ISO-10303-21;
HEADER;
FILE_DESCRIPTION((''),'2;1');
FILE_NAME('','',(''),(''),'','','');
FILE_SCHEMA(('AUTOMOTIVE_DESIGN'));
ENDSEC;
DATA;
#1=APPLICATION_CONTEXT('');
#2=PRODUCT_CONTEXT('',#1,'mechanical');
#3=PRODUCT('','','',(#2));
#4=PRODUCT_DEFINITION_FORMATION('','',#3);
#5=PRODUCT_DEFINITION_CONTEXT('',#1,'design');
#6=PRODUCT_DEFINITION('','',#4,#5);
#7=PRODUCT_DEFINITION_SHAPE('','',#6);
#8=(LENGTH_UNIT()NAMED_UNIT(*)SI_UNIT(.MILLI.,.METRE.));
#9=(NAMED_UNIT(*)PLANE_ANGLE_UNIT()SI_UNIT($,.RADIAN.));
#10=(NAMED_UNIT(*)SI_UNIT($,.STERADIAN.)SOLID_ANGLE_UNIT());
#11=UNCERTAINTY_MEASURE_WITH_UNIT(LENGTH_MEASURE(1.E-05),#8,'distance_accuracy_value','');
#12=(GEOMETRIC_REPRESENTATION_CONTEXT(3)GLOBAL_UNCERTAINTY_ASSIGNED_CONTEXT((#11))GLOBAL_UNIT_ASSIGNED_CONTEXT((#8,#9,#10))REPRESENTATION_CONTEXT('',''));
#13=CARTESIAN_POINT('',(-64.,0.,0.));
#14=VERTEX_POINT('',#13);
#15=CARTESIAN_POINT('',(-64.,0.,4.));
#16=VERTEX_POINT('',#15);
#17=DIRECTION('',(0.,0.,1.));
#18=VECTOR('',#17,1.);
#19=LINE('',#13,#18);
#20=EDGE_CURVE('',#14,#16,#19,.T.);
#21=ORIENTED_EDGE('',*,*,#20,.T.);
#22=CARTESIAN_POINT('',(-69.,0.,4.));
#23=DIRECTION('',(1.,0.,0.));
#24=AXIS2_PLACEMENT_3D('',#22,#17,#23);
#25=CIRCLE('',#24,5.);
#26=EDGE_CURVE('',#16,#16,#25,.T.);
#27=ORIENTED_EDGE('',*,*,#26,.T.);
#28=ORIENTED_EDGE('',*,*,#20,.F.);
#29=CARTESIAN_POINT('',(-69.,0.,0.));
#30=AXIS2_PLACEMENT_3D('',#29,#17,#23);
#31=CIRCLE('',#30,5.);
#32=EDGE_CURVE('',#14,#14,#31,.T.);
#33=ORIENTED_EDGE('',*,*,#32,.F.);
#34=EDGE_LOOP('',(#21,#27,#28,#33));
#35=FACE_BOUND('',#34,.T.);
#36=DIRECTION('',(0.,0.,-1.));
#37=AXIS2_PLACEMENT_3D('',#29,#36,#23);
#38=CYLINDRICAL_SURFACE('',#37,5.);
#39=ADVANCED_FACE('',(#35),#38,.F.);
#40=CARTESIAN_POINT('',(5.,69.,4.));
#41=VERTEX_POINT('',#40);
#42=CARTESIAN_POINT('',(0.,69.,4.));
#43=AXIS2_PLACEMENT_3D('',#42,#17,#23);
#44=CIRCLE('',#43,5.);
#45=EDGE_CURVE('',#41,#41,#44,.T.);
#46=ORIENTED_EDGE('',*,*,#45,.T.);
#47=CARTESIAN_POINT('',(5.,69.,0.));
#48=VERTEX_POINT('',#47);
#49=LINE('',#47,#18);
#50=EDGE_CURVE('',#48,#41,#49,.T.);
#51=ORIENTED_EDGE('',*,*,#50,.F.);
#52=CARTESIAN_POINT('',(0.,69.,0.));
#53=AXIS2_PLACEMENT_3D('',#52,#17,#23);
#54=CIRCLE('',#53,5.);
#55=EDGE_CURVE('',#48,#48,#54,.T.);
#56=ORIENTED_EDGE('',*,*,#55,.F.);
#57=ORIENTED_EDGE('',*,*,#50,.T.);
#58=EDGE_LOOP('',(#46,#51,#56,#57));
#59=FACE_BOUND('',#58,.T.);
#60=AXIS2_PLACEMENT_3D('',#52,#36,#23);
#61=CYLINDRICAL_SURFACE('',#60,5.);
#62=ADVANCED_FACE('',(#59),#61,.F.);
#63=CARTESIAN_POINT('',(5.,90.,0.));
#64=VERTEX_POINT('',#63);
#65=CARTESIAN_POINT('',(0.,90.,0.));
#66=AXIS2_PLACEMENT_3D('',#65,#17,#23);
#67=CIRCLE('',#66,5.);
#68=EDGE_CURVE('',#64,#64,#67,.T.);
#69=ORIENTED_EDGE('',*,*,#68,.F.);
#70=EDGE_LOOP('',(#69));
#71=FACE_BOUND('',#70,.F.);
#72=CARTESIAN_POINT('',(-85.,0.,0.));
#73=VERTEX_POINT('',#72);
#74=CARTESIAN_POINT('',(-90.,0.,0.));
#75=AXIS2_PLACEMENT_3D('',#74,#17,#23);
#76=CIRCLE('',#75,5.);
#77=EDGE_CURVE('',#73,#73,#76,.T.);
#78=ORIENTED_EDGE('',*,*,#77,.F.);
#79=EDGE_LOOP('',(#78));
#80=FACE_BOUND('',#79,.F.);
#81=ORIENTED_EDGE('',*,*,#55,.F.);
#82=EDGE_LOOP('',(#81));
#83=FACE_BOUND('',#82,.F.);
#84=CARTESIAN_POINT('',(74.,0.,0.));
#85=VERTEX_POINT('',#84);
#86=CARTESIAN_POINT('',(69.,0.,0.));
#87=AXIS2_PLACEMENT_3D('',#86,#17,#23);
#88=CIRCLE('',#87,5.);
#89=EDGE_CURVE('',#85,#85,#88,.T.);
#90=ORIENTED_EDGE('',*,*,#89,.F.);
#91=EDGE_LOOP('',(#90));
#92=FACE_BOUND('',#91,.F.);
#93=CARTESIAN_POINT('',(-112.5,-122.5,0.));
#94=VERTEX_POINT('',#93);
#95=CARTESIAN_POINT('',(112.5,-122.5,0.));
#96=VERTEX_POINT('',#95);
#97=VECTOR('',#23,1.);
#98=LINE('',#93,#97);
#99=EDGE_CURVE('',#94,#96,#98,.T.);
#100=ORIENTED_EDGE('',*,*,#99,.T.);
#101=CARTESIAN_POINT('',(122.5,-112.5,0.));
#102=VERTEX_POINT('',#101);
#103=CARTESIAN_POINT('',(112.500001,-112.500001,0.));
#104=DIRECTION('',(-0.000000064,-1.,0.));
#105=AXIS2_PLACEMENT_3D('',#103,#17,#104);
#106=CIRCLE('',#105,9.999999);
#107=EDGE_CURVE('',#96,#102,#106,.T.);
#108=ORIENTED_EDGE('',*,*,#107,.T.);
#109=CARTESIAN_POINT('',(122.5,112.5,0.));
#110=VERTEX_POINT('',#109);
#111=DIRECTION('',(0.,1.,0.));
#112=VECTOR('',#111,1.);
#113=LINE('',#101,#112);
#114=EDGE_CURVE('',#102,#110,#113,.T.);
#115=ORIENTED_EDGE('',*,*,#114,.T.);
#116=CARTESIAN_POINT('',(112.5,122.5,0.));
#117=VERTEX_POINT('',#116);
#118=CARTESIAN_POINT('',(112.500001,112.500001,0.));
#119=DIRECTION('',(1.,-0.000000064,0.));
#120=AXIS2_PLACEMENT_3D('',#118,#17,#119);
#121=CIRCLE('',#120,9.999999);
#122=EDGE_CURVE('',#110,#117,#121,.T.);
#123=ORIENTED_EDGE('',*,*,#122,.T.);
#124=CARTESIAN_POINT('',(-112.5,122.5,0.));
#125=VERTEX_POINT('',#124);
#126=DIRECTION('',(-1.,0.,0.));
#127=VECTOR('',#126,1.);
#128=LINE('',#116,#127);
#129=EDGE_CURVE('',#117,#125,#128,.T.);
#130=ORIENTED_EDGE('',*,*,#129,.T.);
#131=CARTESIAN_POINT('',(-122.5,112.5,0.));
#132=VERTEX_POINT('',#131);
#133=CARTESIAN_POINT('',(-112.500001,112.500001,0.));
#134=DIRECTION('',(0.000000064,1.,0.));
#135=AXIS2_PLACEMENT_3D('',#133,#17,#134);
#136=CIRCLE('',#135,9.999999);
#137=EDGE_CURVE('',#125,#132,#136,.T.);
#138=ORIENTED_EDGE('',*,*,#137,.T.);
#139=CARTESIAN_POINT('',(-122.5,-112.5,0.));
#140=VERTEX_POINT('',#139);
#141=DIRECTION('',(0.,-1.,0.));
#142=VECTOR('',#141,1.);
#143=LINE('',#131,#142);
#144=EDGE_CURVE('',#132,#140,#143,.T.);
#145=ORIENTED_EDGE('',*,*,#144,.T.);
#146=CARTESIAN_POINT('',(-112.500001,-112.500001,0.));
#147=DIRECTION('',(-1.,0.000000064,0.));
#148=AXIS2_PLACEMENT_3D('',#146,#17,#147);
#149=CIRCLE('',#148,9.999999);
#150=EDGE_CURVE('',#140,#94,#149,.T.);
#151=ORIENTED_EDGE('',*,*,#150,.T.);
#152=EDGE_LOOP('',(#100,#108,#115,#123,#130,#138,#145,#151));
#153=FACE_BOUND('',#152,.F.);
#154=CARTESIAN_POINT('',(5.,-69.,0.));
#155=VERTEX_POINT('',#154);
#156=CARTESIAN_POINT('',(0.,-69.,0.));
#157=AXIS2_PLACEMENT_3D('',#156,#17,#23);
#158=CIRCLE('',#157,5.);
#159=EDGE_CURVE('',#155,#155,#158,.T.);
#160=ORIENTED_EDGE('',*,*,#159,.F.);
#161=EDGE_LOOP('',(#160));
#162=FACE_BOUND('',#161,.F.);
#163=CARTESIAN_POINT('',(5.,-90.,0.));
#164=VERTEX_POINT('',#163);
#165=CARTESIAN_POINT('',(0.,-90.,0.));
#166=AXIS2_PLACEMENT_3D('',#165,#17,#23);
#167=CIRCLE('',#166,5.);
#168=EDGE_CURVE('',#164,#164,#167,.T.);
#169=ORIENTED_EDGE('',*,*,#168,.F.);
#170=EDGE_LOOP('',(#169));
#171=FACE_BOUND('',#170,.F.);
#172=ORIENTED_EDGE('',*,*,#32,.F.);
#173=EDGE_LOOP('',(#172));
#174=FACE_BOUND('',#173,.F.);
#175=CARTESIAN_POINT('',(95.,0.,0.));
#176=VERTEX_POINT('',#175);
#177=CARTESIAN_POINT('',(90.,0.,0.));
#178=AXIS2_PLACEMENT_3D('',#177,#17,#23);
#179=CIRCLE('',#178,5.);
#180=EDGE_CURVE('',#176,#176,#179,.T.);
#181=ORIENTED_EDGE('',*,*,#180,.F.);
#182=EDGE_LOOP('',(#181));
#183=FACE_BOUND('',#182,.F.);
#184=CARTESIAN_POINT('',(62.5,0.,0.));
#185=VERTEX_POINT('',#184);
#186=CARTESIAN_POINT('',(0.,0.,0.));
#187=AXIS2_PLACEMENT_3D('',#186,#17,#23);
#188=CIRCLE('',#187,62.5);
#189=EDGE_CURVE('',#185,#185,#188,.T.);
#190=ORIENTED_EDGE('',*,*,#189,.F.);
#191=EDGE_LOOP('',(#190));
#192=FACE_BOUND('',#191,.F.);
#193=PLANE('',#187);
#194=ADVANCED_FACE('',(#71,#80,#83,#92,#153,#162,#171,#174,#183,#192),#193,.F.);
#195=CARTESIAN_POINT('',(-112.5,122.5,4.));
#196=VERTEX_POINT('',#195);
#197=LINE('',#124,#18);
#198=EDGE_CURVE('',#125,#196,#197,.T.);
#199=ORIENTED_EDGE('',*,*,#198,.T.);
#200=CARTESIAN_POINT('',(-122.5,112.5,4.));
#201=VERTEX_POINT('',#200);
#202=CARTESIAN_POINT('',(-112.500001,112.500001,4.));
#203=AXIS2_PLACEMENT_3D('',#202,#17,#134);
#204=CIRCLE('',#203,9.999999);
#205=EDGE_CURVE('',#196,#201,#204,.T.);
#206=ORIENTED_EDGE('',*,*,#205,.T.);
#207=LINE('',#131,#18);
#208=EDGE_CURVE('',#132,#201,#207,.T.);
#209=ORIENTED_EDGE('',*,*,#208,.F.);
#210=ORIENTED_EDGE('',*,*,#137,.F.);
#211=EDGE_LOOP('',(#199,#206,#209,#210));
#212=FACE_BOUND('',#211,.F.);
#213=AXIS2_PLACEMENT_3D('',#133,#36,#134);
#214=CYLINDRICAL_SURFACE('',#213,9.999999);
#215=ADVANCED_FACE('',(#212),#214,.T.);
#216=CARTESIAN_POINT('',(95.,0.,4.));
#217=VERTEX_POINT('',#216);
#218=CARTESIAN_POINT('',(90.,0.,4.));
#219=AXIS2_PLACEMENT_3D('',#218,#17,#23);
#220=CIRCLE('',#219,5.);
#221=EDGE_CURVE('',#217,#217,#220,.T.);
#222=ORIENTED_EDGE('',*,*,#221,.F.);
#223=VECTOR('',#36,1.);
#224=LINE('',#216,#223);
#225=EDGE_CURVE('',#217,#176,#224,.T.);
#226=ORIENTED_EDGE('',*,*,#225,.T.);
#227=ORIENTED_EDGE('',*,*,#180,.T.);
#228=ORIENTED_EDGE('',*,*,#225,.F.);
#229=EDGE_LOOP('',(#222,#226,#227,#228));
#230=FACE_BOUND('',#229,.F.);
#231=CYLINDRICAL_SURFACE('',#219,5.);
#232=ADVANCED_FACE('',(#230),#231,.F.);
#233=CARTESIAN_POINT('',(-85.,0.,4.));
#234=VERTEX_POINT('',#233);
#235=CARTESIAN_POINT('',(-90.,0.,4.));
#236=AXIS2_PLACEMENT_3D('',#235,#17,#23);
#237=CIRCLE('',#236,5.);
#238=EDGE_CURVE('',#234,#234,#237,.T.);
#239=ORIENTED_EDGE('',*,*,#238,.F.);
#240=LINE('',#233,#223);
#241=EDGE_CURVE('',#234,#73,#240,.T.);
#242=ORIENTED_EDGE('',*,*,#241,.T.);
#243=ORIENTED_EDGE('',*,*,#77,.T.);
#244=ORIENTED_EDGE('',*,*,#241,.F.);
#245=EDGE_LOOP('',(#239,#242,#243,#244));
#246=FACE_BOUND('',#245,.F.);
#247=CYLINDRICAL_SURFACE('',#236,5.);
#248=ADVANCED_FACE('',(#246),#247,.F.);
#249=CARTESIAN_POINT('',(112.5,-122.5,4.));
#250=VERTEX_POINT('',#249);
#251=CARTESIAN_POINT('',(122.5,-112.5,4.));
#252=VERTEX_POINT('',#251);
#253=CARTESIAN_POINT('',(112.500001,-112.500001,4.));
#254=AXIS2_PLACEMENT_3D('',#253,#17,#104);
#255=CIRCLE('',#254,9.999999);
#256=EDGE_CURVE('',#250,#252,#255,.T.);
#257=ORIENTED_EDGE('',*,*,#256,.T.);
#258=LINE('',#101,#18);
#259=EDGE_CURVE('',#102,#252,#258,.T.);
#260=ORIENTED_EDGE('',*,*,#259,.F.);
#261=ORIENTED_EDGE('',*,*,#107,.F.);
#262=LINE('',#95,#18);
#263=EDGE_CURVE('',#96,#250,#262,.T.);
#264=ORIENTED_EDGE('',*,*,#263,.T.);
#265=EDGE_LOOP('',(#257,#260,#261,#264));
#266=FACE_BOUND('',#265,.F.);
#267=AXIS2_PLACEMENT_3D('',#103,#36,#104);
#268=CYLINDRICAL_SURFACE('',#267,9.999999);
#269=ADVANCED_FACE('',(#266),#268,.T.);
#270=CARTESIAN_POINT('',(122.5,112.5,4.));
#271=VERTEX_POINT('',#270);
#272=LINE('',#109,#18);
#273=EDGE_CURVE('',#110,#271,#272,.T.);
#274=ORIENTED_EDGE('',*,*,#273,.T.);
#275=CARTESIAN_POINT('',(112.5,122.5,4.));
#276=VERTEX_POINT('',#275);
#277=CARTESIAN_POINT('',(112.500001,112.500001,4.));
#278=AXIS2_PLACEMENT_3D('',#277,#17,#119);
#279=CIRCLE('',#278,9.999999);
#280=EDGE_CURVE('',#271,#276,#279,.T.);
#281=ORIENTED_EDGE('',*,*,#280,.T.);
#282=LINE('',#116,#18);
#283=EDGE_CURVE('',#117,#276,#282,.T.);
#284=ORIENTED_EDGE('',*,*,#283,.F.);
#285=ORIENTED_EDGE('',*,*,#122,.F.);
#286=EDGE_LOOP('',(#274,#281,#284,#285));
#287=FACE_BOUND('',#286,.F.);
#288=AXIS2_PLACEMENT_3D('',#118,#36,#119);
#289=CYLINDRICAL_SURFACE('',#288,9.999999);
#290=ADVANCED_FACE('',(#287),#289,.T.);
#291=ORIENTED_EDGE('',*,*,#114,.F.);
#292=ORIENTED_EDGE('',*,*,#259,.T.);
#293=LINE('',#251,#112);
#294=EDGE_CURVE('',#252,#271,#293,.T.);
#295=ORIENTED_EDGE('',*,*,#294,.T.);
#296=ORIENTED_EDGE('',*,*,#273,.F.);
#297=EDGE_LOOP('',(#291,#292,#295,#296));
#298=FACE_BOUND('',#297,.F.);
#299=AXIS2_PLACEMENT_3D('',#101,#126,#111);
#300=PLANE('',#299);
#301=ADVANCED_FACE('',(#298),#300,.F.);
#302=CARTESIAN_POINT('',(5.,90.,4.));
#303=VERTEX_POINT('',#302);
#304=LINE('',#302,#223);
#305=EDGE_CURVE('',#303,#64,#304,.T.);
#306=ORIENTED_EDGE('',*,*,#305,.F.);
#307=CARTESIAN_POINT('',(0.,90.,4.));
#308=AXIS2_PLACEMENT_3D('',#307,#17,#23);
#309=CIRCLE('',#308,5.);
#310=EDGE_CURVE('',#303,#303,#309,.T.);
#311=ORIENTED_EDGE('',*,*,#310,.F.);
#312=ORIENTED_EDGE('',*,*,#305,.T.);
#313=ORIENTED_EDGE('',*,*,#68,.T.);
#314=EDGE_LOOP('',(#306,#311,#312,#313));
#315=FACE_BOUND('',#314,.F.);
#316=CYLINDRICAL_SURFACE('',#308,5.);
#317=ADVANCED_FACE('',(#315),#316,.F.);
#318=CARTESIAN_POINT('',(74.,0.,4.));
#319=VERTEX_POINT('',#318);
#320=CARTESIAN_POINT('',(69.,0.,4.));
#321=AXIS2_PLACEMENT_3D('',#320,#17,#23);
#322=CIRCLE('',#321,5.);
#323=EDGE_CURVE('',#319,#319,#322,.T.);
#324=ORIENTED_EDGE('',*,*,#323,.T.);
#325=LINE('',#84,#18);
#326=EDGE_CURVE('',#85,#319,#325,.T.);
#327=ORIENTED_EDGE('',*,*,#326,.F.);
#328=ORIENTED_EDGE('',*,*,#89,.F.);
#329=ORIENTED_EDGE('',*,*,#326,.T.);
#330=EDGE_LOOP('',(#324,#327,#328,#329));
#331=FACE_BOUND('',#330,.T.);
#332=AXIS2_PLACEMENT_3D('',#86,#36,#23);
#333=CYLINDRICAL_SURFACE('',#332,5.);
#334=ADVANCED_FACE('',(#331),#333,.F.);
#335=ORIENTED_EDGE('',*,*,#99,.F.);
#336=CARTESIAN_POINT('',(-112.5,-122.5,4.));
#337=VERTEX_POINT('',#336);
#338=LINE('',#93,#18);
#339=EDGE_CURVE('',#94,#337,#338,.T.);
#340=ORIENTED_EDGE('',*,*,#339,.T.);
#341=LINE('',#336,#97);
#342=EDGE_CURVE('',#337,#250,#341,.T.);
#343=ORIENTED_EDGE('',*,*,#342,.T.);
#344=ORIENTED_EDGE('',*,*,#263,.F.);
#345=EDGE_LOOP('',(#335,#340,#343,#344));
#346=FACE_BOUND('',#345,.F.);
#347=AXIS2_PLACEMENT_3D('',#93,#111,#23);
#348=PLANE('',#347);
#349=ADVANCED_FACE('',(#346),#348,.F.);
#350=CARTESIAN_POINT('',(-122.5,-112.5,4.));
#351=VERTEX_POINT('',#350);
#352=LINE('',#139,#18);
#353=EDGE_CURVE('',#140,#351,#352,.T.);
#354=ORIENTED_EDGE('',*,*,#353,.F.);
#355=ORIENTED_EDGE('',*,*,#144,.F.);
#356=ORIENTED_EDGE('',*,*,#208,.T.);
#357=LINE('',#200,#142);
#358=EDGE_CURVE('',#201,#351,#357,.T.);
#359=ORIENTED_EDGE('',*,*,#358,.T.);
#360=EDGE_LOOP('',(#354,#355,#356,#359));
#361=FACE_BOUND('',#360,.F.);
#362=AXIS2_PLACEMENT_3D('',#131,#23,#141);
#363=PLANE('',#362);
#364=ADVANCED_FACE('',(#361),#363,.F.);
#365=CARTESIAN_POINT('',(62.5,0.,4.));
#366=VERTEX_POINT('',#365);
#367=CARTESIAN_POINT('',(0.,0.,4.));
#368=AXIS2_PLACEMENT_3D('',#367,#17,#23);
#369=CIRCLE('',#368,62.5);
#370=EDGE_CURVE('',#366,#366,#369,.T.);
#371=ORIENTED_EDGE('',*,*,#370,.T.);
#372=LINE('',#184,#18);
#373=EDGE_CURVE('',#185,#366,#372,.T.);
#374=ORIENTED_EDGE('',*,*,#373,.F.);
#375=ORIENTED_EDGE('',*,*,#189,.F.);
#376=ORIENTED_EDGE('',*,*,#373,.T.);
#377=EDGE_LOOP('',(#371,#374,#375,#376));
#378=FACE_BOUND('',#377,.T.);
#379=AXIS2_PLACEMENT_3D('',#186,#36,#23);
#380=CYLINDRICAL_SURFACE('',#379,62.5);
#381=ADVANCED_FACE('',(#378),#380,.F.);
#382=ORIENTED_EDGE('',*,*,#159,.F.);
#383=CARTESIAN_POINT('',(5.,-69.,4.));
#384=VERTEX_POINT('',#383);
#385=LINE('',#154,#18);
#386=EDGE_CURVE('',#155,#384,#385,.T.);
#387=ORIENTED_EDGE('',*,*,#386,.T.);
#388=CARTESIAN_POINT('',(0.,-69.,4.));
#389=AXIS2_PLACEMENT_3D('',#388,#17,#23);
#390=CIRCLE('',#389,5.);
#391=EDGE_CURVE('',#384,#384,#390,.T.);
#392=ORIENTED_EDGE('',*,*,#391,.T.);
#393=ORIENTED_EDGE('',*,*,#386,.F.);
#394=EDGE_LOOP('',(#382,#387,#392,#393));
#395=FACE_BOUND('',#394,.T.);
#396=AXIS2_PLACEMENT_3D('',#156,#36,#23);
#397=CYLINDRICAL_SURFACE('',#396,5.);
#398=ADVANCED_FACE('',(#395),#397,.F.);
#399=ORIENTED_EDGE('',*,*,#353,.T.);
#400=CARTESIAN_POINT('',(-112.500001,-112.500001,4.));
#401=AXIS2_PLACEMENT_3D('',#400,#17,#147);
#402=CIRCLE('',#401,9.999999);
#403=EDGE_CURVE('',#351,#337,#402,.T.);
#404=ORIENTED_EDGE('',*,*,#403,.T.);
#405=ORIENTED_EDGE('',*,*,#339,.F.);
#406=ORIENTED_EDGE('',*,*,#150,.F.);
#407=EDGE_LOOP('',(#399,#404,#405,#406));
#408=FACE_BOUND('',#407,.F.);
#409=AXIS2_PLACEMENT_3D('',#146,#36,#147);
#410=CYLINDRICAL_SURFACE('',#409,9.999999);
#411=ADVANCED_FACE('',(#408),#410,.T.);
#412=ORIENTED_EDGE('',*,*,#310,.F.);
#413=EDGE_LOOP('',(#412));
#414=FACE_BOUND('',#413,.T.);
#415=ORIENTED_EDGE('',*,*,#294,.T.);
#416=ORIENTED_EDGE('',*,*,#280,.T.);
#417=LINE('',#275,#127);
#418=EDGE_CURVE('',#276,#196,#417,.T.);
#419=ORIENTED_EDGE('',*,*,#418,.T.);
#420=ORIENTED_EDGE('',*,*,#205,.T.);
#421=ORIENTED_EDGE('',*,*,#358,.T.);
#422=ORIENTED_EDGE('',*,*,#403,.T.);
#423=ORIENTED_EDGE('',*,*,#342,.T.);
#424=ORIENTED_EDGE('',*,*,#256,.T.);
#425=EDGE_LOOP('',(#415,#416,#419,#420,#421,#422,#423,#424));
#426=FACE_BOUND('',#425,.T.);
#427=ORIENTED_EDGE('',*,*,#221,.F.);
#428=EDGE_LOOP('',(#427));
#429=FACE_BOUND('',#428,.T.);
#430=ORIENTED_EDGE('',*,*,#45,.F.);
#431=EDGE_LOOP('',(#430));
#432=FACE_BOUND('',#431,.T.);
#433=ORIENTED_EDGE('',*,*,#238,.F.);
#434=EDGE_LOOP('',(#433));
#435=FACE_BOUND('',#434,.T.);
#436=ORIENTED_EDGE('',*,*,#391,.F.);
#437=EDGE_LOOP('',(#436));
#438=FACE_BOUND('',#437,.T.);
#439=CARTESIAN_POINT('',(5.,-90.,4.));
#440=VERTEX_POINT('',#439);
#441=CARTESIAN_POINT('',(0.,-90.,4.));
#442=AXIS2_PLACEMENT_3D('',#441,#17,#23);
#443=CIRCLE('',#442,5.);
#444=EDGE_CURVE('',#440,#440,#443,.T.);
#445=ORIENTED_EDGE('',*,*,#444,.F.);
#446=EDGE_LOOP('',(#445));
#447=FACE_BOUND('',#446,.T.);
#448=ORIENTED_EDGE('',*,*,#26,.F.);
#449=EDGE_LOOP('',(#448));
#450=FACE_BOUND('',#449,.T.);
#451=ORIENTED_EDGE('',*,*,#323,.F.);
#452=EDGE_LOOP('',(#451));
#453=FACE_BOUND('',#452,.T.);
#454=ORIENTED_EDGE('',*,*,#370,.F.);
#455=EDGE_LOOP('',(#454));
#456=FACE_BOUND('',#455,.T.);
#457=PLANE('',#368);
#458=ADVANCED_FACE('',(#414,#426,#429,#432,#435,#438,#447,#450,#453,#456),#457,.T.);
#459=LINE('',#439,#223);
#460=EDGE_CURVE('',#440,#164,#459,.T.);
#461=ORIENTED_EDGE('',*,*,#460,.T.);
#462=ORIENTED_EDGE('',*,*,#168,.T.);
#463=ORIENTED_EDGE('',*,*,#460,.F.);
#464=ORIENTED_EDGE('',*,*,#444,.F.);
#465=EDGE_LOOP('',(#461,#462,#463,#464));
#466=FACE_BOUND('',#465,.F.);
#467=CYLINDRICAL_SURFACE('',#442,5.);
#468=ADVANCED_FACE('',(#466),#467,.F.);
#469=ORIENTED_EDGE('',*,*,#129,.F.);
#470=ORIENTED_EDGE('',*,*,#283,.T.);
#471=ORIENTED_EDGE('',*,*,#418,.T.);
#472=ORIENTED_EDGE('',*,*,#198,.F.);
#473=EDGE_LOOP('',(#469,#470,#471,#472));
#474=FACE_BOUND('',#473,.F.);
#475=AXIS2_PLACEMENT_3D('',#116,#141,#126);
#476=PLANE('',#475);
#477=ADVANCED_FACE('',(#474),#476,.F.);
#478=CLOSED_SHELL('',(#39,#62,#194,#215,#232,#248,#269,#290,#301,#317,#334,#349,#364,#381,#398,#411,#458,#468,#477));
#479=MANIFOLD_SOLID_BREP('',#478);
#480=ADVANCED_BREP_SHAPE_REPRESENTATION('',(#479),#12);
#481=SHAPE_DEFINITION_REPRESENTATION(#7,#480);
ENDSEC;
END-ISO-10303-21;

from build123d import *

# Parameters (mm, degrees)
F0_R     = 5
F0_R_2   = 62.5
F1_DEPTH = 4
F2_R     = 5
F3_DEPTH = 25


with BuildPart() as f1:
    # F0 (on Top) → F1 (new body)
    with BuildSketch(Plane.XY):
        with BuildLine():
            Line((112.5, 122.5), (-112.5, 122.5))
            ThreePointArc((-112.5, 122.5), (-119.571068, 119.571068), (-122.5, 112.5))
            Line((-122.5, 112.5), (-122.5, -112.5))
            ThreePointArc((-122.5, -112.5), (-119.571068, -119.571068), (-112.5, -122.5))
            Line((-112.5, -122.5), (112.5, -122.5))
            ThreePointArc((112.5, -122.5), (119.571068, -119.571068), (122.5, -112.5))
            Line((122.5, -112.5), (122.5, 112.5))
            ThreePointArc((122.5, 112.5), (119.571068, 119.571068), (112.5, 122.5))
        make_face()
        with Locations((0, -69)):
            Circle(F0_R, mode=Mode.SUBTRACT)
        with Locations((-69, 0)):
            Circle(F0_R, mode=Mode.SUBTRACT)
        Circle(F0_R_2, mode=Mode.SUBTRACT)
        with Locations((69, 0)):
            Circle(F0_R, mode=Mode.SUBTRACT)
        with Locations((0, 69)):
            Circle(F0_R, mode=Mode.SUBTRACT)
    extrude(amount=F1_DEPTH)

    # F2 (on face) → F3 (cut)
    with BuildSketch(Plane.XY.offset(4)):
        with Locations((0, 90)):
            Circle(F2_R)
        with Locations((-90, 0)):
            Circle(F2_R)
        with Locations((0, -90)):
            Circle(F2_R)
        with Locations((90, 0)):
            Circle(F2_R)
    extrude(amount=-F3_DEPTH, mode=Mode.SUBTRACT)


solid = f1.part
